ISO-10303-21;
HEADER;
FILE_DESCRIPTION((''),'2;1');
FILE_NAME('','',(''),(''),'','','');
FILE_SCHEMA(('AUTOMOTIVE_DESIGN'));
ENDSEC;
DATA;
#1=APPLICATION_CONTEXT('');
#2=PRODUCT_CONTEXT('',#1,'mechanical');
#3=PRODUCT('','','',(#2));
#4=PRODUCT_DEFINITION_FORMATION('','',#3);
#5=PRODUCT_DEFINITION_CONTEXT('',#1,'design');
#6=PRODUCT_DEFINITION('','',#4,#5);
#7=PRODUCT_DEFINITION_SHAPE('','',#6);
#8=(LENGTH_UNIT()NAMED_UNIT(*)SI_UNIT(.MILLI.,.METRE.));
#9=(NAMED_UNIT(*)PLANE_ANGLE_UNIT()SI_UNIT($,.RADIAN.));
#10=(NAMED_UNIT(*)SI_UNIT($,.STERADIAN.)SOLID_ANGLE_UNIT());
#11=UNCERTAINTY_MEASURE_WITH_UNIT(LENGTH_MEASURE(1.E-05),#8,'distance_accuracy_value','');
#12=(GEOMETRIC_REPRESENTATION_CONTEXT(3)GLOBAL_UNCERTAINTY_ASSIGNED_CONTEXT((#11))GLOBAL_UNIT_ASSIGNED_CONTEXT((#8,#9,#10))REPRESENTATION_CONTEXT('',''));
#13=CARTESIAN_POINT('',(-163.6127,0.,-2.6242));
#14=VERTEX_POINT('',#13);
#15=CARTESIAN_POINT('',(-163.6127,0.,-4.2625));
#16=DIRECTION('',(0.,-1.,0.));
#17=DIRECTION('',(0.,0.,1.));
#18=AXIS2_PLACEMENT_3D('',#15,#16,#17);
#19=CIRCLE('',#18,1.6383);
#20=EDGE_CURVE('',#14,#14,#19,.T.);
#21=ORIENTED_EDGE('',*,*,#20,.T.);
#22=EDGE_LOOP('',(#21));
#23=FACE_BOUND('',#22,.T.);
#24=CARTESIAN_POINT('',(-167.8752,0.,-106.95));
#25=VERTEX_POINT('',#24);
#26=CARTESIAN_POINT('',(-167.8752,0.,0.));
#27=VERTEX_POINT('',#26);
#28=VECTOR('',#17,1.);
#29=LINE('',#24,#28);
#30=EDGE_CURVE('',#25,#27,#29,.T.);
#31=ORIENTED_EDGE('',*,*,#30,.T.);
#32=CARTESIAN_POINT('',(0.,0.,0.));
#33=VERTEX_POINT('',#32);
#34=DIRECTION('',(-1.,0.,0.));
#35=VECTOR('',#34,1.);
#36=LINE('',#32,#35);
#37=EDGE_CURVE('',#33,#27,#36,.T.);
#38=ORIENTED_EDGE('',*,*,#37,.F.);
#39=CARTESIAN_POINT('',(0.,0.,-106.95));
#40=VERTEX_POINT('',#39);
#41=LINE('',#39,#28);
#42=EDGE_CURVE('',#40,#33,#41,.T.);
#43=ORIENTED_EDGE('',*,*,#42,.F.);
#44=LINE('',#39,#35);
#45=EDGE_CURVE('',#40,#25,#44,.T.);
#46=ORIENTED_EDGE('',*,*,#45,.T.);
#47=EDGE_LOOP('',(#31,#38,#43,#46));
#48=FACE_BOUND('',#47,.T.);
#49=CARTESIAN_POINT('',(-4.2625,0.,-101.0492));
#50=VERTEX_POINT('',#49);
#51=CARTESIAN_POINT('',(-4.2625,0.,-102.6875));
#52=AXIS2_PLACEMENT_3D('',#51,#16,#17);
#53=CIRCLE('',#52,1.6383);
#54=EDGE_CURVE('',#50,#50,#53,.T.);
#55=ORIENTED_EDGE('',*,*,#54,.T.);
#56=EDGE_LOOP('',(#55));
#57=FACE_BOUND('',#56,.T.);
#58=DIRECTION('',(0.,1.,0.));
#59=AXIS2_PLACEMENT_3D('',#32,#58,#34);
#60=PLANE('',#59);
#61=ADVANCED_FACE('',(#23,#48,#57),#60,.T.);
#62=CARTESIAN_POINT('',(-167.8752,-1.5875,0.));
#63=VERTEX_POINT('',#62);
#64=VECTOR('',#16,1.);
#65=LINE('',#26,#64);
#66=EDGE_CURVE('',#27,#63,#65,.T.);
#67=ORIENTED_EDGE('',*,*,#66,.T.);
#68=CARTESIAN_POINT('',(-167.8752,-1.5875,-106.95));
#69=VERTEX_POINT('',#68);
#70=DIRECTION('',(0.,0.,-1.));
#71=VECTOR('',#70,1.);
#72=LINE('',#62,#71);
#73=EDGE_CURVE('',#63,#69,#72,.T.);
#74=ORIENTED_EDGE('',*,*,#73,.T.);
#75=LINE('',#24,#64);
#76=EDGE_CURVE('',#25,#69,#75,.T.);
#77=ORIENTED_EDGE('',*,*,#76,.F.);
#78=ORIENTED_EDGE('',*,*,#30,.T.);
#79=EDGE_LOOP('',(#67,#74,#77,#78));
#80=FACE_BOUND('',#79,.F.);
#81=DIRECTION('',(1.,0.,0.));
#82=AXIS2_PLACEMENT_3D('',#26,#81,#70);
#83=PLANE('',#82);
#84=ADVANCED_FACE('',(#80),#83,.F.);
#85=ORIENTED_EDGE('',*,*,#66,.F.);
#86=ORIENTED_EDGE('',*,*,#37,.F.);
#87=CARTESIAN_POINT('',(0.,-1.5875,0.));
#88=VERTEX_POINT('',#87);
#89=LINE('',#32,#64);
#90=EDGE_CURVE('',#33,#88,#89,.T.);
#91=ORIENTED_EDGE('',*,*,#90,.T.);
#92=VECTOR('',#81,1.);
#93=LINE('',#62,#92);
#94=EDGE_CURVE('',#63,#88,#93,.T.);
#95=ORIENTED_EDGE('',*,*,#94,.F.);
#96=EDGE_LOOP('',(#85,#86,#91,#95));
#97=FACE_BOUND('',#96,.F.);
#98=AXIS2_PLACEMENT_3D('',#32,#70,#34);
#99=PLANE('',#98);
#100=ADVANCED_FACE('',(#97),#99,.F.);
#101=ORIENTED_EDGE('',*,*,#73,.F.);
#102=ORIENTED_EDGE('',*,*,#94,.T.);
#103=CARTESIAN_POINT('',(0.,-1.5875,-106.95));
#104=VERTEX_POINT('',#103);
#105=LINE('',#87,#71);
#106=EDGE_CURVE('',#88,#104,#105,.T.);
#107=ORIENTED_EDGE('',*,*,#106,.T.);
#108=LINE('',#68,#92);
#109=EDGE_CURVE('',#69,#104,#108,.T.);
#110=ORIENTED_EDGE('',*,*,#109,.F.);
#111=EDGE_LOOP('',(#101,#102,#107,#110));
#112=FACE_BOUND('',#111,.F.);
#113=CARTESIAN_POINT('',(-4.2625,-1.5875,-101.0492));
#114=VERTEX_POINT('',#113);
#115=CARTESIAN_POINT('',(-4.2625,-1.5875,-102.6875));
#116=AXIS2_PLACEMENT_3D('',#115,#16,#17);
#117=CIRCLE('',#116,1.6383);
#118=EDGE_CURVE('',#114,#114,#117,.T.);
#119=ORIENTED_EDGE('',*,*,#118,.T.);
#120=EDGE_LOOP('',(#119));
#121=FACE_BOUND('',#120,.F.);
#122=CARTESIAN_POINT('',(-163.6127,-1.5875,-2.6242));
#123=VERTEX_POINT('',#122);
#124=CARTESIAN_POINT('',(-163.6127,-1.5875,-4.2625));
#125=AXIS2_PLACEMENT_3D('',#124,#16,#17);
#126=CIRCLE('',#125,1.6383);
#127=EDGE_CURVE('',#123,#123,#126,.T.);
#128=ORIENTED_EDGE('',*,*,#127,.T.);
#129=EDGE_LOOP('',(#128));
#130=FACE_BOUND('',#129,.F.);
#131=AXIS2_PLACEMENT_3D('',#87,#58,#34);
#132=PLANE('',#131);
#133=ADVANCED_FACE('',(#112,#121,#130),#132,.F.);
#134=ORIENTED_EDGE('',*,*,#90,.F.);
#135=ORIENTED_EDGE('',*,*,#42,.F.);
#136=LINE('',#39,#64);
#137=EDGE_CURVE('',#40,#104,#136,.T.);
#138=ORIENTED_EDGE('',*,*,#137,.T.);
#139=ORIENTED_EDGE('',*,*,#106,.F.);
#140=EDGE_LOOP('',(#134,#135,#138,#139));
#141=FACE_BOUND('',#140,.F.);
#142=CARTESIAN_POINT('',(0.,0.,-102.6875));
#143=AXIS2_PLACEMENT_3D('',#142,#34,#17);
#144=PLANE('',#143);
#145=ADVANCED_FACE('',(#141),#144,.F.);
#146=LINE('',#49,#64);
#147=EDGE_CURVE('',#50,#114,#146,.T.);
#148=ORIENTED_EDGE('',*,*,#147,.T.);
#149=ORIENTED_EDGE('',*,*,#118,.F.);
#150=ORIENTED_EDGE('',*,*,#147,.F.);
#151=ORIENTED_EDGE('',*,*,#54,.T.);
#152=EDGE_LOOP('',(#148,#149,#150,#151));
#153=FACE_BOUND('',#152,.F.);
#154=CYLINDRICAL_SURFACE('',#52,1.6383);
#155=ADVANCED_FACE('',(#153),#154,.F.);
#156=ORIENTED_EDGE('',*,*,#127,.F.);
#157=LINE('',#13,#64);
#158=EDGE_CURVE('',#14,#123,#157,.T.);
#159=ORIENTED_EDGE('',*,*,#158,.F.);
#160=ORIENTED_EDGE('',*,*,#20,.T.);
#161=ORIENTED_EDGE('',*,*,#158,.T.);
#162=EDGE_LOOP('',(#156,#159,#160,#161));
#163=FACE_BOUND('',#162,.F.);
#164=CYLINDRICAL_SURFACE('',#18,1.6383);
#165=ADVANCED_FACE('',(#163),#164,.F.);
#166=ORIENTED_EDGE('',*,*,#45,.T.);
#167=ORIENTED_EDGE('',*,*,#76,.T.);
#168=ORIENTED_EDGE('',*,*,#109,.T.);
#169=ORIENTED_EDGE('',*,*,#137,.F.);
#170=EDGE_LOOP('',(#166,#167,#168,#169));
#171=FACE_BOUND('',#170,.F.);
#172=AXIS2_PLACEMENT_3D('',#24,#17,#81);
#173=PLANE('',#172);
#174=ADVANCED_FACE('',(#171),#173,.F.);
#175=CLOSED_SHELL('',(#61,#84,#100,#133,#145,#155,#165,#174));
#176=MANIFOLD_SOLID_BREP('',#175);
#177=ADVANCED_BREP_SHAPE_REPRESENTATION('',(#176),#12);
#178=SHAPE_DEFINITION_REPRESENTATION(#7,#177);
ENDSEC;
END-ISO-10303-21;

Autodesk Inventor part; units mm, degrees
ref_plane "YZ Plane" through (0, 0, 0) normal (1, 0, 0) x (0, 1, 0)
ref_plane "XZ Plane" through (0, 0, 0) normal (0, 1, 0) x (-1, 0, 0)
ref_plane "XY Plane" through (0, 0, 0) normal (0, 0, 1) x (1, 0, 0)
sketch "Sketch1" plane through (0, 0, 0) normal (0, 1, 0) x (-1, 0, 0)
  line L0 (0, 0) -> (167.8752, 0)
  line L1 (167.8752, 0) -> (167.8752, -106.95)
  line L2 (167.8752, -106.95) -> (0, -106.95)
  line L3 (0, -106.95) -> (0, 0)
  line L4 (0, -106.95) -> (4.2625, -106.95)
  line L5 (4.2625, -106.95) -> (4.2625, -102.6875)
  line L6 (4.2625, -102.6875) -> (0, -102.6875)
  line L7 (0, -102.6875) -> (0, -106.95)
  line L8 (167.8752, 0) -> (163.6127, 0)
  line L9 (163.6127, 0) -> (163.6127, -4.2625)
  line L10 (163.6127, -4.2625) -> (167.8752, -4.2625)
  line L11 (167.8752, -4.2625) -> (167.8752, 0)
  dimension "d0" = 167.8752
  dimension "d1" = 106.95
  dimension "d2" = 4.2625
  dimension "d3" = 4.2625
  dimension "d4" = 4.2625
  dimension "d5" = 4.2625
extrude "Extrusion1" add sketch "Sketch1" against normal blind 1.5875
hole "Hole1" at (-163.6127, 0, -4.2625) at (-4.2625, 0, -102.6875) direction (0, -1, 0) diameter 3.2766 end through all clearance for "Flat Head Machine Screw (82)" size "#4" standard "Ansi Unified Screw Threads"
properties part number "Compute Module Cover for RoadBot Rail-r3"
